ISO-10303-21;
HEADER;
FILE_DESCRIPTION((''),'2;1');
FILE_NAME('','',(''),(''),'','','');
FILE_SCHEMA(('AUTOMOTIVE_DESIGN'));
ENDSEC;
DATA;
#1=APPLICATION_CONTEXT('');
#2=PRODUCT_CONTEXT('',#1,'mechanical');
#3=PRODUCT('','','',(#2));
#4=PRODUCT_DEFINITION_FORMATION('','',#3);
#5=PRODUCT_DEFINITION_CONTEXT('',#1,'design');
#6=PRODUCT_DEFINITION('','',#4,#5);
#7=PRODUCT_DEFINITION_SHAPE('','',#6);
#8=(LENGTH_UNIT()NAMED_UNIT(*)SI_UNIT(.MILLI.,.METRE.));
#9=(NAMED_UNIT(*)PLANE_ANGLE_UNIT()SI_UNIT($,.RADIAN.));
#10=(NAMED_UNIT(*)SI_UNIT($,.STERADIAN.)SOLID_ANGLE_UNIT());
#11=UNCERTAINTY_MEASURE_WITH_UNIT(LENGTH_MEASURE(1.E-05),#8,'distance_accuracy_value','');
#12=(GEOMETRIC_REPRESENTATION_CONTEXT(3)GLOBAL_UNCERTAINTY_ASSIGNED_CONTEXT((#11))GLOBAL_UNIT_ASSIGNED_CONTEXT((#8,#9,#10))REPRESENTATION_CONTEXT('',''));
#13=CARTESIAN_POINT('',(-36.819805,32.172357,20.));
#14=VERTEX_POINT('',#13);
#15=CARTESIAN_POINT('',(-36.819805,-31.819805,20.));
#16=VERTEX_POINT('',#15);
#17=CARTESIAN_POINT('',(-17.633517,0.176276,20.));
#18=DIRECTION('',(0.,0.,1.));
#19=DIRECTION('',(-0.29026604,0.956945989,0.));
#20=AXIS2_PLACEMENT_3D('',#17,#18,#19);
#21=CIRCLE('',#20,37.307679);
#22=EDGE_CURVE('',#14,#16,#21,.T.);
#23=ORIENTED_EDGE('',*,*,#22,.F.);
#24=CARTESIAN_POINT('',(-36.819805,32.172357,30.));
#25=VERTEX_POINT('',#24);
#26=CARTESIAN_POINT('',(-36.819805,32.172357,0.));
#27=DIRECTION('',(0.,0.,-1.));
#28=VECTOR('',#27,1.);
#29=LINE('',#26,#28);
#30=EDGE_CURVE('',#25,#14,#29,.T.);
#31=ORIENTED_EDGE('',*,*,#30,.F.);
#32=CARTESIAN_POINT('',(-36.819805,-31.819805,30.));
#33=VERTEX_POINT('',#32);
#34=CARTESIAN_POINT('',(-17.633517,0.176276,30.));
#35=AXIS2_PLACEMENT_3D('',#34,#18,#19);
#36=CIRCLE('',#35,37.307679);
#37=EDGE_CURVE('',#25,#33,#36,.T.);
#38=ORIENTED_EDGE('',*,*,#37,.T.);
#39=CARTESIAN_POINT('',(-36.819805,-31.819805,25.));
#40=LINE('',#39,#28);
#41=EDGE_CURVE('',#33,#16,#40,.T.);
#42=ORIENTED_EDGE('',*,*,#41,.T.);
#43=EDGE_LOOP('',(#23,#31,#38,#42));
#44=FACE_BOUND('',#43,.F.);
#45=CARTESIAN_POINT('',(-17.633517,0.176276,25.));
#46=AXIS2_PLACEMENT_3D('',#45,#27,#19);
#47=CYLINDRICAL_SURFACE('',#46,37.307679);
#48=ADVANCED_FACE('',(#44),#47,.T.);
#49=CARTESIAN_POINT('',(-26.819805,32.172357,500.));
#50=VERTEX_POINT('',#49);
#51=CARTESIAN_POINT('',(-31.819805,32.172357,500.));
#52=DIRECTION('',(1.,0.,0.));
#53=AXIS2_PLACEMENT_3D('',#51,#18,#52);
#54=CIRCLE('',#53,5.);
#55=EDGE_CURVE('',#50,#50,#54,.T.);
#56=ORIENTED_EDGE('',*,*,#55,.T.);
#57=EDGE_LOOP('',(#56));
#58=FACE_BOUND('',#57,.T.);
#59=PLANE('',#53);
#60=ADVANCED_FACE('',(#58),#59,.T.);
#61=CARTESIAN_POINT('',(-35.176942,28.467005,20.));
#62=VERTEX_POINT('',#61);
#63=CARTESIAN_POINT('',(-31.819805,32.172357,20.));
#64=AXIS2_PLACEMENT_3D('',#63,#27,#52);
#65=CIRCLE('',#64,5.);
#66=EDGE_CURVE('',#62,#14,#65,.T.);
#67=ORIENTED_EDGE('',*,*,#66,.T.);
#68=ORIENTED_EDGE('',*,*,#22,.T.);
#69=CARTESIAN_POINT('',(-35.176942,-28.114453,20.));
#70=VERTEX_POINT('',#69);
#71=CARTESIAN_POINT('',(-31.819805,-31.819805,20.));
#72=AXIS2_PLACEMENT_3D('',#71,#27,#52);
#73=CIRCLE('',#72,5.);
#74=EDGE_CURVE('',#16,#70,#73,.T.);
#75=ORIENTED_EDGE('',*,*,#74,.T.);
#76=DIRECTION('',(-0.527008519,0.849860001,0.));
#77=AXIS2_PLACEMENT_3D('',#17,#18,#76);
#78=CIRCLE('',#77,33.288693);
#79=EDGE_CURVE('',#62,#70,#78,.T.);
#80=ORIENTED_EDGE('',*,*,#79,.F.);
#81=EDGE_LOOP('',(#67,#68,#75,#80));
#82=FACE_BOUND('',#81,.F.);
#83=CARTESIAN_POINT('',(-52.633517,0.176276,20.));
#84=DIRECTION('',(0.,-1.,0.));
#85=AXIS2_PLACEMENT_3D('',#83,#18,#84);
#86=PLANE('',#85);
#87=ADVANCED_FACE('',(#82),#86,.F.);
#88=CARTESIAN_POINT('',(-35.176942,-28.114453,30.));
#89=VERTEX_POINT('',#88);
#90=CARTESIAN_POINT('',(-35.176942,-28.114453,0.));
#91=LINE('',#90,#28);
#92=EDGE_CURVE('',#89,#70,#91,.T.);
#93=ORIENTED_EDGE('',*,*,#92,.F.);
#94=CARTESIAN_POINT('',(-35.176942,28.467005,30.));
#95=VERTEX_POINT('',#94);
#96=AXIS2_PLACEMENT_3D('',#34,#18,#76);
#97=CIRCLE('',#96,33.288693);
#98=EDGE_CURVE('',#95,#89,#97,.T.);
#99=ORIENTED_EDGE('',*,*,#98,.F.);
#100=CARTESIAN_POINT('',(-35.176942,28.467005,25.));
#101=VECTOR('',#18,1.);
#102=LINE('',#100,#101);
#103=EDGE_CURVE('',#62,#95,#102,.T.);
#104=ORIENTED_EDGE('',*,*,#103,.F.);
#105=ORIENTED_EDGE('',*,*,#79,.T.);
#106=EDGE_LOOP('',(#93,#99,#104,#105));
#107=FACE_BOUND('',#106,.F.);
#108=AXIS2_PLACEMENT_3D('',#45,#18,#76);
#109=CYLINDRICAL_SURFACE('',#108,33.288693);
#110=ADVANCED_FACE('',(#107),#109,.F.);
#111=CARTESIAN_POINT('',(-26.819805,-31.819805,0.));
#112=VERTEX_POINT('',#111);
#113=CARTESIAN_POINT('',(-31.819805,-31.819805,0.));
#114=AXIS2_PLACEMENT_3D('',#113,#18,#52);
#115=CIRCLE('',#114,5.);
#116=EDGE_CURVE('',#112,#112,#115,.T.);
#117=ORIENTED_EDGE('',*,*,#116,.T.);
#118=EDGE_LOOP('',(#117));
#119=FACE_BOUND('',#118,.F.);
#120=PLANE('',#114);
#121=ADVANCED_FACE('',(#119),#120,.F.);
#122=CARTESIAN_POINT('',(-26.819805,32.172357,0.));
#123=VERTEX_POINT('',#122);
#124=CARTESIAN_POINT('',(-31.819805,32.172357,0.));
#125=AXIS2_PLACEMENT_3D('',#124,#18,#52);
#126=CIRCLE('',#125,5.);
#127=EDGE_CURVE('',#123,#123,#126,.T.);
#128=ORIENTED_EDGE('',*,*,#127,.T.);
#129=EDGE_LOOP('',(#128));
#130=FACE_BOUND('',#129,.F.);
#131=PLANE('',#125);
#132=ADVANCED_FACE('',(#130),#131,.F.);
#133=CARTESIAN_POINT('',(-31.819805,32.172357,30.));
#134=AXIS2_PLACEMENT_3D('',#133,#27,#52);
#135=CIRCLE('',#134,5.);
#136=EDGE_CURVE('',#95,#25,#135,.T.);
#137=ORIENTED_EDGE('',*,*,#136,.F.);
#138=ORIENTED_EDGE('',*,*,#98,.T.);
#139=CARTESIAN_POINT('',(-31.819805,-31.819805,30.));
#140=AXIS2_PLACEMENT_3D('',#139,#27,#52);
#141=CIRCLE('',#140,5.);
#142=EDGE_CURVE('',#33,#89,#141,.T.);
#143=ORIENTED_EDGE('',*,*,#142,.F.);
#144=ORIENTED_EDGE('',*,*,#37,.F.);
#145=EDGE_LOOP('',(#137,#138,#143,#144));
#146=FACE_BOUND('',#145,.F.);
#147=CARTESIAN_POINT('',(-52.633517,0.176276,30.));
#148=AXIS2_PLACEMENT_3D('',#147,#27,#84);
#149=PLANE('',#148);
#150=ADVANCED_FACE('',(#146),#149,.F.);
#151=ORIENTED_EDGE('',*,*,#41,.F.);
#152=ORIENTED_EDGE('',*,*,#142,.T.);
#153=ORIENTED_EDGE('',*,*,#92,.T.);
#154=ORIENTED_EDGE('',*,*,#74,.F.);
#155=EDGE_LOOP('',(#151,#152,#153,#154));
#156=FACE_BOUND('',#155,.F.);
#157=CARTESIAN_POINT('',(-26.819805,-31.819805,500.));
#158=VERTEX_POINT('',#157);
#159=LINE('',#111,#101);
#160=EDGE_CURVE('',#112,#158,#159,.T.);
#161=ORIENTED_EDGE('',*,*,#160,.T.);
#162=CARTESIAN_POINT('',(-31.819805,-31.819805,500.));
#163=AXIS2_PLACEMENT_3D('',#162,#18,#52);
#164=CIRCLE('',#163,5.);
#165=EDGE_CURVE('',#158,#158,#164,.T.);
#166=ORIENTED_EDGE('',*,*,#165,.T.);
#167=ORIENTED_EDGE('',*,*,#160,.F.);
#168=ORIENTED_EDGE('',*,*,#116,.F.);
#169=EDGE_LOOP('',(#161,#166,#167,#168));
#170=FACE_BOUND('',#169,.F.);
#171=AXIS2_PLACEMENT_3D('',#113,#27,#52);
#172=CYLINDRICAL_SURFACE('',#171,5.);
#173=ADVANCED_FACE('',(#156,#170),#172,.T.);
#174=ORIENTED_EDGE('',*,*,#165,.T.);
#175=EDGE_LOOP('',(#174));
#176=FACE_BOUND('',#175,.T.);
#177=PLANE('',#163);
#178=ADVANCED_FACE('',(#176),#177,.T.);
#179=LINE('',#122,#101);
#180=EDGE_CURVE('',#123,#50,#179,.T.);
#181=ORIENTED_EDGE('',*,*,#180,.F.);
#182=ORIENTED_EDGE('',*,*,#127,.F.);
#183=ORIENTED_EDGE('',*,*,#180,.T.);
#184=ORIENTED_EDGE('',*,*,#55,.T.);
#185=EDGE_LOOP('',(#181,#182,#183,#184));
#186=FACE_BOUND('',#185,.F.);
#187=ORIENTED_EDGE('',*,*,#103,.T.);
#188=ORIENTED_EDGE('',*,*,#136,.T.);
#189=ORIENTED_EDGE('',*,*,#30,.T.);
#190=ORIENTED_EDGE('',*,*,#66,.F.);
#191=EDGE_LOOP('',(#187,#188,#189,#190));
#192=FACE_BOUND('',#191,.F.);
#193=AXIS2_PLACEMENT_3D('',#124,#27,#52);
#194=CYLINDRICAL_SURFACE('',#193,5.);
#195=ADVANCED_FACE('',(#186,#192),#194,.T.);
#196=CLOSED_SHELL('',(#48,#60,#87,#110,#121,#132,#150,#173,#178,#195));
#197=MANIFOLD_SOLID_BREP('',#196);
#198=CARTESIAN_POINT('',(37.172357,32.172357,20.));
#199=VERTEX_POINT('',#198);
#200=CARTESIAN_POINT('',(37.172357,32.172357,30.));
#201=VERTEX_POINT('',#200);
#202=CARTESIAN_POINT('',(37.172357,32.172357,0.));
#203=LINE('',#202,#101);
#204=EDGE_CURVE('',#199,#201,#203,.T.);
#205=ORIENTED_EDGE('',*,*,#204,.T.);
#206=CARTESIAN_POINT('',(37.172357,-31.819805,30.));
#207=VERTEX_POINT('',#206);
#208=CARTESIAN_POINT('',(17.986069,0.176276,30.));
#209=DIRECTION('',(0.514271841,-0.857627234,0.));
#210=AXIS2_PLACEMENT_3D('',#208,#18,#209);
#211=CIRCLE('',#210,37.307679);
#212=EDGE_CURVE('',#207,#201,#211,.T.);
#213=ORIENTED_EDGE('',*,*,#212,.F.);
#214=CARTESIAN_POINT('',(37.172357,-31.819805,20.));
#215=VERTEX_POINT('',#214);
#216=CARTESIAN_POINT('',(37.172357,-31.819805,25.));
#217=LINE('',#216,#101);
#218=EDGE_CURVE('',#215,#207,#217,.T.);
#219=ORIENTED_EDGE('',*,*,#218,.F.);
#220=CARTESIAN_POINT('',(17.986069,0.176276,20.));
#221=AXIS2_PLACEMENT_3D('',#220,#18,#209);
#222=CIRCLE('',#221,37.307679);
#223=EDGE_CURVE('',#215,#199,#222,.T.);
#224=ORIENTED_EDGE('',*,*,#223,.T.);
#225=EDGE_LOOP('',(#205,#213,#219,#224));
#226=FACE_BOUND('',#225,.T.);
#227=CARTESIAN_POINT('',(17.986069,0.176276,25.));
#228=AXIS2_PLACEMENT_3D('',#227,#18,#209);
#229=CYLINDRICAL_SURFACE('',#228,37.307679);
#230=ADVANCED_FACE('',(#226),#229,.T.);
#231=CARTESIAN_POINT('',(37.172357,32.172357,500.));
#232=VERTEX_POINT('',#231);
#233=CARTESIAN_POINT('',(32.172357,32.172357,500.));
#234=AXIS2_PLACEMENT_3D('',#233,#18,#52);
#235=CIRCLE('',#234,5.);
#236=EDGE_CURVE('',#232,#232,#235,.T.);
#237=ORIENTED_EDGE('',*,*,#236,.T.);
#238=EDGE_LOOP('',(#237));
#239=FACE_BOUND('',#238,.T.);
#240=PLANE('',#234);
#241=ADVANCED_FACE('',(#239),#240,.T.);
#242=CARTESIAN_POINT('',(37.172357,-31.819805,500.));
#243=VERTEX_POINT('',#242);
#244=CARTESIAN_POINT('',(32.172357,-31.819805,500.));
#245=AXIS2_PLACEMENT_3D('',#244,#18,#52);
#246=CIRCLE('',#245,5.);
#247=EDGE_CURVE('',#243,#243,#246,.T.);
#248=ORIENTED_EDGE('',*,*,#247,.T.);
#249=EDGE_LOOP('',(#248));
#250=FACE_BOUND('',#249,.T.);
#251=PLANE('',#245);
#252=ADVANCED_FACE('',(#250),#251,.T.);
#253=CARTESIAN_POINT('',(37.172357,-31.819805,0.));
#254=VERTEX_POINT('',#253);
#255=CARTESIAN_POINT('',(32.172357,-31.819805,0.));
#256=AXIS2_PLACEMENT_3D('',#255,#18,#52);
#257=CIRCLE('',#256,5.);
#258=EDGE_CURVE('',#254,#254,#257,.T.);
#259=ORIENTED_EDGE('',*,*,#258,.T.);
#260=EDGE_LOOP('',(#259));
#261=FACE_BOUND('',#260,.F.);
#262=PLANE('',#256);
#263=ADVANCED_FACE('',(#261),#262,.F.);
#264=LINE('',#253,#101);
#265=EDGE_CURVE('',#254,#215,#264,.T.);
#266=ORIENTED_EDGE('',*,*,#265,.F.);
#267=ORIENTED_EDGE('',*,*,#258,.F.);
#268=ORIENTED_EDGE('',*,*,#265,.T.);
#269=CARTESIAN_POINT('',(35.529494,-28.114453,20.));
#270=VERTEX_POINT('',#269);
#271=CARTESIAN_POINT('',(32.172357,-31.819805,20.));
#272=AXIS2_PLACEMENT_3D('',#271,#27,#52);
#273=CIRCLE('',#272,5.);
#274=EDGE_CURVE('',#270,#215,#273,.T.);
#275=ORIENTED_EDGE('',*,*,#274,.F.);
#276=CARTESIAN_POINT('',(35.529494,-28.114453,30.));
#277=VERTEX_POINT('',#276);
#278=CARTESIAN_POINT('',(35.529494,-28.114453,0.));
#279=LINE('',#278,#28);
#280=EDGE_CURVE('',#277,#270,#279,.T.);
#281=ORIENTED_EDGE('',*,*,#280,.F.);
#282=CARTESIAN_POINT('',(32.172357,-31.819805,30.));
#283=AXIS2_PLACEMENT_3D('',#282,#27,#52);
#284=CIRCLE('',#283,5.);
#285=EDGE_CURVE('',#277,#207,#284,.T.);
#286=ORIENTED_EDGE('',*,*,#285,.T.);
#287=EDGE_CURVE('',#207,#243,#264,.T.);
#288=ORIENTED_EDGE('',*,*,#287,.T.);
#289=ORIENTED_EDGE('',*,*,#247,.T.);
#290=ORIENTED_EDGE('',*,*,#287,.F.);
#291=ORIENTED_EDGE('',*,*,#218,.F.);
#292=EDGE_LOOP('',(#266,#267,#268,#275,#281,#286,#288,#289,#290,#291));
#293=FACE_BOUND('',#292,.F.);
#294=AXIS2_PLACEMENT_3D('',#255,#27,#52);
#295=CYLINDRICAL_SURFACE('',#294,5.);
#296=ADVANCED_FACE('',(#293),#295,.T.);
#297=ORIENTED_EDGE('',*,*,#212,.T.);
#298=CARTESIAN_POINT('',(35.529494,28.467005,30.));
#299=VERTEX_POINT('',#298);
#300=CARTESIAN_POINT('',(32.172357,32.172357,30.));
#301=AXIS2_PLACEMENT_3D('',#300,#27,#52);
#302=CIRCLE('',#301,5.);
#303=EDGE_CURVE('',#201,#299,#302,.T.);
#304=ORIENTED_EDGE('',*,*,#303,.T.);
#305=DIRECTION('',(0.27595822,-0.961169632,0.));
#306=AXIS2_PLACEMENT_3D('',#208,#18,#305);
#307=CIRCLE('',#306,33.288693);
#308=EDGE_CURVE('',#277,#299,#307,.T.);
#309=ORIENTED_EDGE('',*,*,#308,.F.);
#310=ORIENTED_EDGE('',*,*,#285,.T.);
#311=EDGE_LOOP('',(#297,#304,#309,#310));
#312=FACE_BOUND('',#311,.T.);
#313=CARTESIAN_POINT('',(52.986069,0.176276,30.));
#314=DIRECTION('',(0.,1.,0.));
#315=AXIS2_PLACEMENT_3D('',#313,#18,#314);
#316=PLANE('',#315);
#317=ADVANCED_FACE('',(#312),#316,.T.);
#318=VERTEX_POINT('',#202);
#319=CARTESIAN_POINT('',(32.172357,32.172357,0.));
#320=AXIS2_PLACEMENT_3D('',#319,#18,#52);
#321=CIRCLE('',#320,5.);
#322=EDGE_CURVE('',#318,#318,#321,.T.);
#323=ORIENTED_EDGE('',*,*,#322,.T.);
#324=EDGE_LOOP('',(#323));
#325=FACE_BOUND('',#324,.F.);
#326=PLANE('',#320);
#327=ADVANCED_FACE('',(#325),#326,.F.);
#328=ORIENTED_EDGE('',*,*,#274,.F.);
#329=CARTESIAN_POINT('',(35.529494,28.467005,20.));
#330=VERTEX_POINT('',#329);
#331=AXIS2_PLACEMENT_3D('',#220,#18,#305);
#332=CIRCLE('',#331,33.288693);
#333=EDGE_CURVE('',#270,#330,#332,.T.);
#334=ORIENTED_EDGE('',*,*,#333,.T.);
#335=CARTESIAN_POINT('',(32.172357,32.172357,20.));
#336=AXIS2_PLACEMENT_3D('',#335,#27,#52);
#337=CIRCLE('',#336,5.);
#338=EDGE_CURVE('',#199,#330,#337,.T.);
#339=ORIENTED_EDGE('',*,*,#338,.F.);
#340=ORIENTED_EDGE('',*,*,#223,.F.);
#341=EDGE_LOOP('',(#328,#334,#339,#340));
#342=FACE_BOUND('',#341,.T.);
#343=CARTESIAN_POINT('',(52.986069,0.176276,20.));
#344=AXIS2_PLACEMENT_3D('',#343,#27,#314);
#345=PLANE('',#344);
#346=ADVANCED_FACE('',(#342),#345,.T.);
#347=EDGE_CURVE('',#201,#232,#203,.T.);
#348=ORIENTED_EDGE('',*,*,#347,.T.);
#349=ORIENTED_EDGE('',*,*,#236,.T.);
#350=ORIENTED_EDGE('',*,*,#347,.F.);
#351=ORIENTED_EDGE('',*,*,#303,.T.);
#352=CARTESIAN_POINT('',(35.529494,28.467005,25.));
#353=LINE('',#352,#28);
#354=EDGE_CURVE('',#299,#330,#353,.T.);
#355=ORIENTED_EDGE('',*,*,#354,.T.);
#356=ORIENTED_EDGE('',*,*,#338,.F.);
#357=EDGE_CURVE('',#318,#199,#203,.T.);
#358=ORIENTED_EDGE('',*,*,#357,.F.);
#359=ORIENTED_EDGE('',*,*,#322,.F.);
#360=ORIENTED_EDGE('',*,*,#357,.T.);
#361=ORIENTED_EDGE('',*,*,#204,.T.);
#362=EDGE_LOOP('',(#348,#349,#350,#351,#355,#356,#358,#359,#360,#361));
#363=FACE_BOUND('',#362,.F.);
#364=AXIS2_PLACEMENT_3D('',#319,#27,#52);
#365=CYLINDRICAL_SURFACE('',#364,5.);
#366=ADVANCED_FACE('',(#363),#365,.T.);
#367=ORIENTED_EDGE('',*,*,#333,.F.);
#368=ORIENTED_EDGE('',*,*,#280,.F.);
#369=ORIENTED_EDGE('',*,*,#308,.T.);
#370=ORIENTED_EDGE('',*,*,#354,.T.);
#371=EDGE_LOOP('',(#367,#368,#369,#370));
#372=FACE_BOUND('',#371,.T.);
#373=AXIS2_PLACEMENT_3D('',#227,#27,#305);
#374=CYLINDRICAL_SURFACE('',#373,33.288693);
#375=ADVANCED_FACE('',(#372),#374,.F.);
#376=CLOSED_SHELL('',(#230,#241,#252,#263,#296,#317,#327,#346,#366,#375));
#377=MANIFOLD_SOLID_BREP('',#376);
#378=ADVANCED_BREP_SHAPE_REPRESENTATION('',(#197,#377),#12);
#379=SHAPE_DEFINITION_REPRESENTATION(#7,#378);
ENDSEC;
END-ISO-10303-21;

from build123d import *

# Parameters (mm, degrees)
F1_R     = 5
F2_DEPTH = 500
F6_W     = 10
F6_H     = 10
F8_W     = 10
F8_H     = 10


with BuildPart() as f2:
    # F1 (on Top) → F2 (new body)
    with BuildSketch(Plane.XY):
        with Locations((-31.8198051534, -31.8198051534)):
            Circle(F1_R)
    extrude(amount=F2_DEPTH)



with BuildPart() as f2b:
    # F1 (on Top) → F2, piece 2 (new body)
    with BuildSketch(Plane.XY):
        with Locations((-31.8198051534, 32.1723573601)):
            Circle(F1_R)
    extrude(amount=F2_DEPTH)


with BuildPart() as f2c:
    # F1 (on Top) → F2, piece 3 (new body)
    with BuildSketch(Plane.XY):
        with Locations((32.1723573601, 32.1723573601)):
            Circle(F1_R)
    extrude(amount=F2_DEPTH)



with BuildPart() as f2d:
    # F1 (on Top) → F2, piece 4 (new body)
    with BuildSketch(Plane.XY):
        with Locations((32.1723573601, -31.8198051534)):
            Circle(F1_R)
    extrude(amount=F2_DEPTH)


with BuildPart() as f2_1:
    add(f2.part)

    add(f2b.part)  # F7 merges F2b
    # F7: sweep along a path in F4
    with BuildLine(Plane.XY.offset(25)) as f7_path:
        ThreePointArc((-31.8198051534, 32.1723573601), (-52.6335165545, 0.1762761034), (-31.8198051534, -31.8198051534))
    # F6 (on plane+point) → F7 (sweep)
    with BuildSketch(Plane.XZ.offset(31.8198051534)):
        with Locations((-31.8198051534, 25)):
            Rectangle(F6_W, F6_H)
    sweep(path=f7_path.line)


with BuildPart() as f2c_1:
    add(f2c.part)

    add(f2d.part)  # F9 merges F2d
    # F9: sweep along a path in F4
    with BuildLine(Plane.XY.offset(25)) as f9_path:
        ThreePointArc((32.1723573601, -31.8198051534), (52.9860687612, 0.1762761034), (32.1723573601, 32.1723573601))
    # F8 (on plane+point) → F9 (sweep)
    with BuildSketch(Plane.XZ.offset(31.8198051534)):
        with Locations((32.1723573601, 25)):
            Rectangle(F8_W, F8_H)
    sweep(path=f9_path.line)


solid = Compound([f2_1.part, f2c_1.part])
